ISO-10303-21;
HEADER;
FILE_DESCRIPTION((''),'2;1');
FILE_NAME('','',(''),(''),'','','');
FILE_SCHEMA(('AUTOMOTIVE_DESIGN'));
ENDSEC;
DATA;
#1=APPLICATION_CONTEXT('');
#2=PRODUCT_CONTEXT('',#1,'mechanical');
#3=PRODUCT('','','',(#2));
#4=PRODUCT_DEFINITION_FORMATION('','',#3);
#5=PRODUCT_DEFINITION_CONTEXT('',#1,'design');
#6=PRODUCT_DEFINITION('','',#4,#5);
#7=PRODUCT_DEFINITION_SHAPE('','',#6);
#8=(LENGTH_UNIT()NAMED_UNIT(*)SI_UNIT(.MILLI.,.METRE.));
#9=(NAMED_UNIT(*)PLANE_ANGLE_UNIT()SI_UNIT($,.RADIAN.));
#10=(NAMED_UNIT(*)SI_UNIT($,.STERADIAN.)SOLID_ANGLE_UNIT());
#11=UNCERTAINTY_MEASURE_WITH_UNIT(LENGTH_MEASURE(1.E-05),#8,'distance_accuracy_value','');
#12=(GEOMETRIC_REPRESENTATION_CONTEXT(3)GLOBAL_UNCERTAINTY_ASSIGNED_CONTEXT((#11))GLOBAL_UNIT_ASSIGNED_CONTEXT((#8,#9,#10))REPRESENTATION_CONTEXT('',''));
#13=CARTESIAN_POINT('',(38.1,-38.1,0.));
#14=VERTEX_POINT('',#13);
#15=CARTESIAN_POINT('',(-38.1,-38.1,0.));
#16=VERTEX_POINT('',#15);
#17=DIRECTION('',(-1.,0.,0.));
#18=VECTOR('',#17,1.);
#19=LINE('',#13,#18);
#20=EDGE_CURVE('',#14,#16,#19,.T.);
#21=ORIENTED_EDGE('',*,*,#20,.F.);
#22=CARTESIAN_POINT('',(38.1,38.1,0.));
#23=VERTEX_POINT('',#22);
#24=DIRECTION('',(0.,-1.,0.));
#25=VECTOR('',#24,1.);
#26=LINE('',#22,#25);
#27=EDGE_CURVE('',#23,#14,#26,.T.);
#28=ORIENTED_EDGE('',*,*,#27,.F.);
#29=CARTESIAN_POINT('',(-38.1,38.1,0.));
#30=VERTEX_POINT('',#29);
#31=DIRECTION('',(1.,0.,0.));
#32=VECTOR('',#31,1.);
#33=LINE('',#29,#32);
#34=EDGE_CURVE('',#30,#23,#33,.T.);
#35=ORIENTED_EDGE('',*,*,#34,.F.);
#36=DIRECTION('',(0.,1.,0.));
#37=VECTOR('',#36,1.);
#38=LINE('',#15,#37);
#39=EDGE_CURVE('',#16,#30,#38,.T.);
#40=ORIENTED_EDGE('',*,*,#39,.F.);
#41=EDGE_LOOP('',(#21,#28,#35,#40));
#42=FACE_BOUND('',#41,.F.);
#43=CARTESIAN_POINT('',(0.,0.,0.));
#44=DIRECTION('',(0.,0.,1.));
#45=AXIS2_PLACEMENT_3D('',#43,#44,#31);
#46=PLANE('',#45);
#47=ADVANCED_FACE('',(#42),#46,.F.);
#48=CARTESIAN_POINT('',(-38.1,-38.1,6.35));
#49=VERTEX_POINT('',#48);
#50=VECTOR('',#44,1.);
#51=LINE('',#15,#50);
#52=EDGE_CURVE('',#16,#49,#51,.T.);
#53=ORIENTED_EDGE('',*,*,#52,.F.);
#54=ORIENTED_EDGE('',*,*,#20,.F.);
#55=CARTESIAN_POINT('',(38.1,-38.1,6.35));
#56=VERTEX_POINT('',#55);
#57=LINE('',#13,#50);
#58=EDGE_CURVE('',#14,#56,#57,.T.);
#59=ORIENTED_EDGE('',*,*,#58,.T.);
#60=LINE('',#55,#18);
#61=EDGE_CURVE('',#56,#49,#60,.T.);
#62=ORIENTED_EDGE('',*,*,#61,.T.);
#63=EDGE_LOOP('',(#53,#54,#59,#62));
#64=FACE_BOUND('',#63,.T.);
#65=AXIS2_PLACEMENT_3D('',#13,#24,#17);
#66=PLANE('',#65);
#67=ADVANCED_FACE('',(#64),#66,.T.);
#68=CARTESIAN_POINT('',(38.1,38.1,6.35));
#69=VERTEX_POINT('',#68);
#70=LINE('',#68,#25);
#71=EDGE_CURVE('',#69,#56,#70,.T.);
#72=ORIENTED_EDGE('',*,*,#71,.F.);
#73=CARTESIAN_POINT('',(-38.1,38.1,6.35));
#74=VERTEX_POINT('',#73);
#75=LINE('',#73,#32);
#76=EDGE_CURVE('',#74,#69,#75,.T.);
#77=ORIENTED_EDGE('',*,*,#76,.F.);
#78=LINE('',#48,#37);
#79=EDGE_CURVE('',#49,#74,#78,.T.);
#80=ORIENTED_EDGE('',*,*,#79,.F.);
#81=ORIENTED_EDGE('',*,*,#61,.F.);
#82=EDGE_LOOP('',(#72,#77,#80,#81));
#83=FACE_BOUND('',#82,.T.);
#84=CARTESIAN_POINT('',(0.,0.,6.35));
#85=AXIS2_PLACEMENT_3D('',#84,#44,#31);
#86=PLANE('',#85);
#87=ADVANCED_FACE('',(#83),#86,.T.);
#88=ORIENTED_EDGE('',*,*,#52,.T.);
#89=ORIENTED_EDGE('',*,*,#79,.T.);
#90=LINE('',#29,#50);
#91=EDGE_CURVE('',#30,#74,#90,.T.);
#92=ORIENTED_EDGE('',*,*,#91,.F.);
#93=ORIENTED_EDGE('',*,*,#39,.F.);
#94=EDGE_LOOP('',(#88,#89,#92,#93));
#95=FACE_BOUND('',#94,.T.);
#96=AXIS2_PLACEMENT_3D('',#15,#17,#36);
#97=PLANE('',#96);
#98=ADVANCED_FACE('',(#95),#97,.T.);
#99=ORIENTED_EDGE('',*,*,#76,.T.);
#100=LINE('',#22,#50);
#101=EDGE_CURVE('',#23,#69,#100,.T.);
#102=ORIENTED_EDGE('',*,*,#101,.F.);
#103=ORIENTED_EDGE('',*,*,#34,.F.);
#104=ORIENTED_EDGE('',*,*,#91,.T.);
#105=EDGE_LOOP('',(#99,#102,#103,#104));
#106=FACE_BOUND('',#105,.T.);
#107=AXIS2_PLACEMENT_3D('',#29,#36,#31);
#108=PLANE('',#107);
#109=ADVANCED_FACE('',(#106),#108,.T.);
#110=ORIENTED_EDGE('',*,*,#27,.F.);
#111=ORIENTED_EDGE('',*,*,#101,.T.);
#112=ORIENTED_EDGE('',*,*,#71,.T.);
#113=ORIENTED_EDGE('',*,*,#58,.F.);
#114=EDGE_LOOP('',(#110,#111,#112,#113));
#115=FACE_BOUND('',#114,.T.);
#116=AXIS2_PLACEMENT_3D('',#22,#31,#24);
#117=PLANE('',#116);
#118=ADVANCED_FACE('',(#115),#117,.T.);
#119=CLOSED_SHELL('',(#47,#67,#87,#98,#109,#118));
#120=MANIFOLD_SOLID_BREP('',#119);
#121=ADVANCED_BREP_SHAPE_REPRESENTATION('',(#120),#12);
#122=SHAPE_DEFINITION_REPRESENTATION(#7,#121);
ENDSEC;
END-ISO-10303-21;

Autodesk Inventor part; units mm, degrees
ref_plane "YZ Plane" through (0, 0, 0) normal (1, 0, 0) x (0, 1, 0)
ref_plane "XZ Plane" through (0, 0, 0) normal (0, 1, 0) x (-1, 0, 0)
ref_plane "XY Plane" through (0, 0, 0) normal (0, 0, 1) x (1, 0, 0)
sketch "Sketch1" plane through (0, 0, 0) normal (0, 0, 1) x (1, 0, 0)
  line L0 (-38.1, 38.1) -> (38.1, 38.1)
  line L1 (38.1, 38.1) -> (38.1, -38.1)
  line L2 (38.1, -38.1) -> (-38.1, -38.1)
  line L3 (-38.1, -38.1) -> (-38.1, 38.1)
  line L4 (-38.1, 38.1) -> (38.1, -38.1) construction
  line L5 (38.1, 38.1) -> (-38.1, -38.1) construction
  point P0 (0, 0)
  dimension "d0" = 76.2
  dimension "d1" = 76.2
extrude "Extrusion1" add sketch "Sketch1" along normal blind 6.35
properties part number "Sample_magnet_3_3_0.25"
